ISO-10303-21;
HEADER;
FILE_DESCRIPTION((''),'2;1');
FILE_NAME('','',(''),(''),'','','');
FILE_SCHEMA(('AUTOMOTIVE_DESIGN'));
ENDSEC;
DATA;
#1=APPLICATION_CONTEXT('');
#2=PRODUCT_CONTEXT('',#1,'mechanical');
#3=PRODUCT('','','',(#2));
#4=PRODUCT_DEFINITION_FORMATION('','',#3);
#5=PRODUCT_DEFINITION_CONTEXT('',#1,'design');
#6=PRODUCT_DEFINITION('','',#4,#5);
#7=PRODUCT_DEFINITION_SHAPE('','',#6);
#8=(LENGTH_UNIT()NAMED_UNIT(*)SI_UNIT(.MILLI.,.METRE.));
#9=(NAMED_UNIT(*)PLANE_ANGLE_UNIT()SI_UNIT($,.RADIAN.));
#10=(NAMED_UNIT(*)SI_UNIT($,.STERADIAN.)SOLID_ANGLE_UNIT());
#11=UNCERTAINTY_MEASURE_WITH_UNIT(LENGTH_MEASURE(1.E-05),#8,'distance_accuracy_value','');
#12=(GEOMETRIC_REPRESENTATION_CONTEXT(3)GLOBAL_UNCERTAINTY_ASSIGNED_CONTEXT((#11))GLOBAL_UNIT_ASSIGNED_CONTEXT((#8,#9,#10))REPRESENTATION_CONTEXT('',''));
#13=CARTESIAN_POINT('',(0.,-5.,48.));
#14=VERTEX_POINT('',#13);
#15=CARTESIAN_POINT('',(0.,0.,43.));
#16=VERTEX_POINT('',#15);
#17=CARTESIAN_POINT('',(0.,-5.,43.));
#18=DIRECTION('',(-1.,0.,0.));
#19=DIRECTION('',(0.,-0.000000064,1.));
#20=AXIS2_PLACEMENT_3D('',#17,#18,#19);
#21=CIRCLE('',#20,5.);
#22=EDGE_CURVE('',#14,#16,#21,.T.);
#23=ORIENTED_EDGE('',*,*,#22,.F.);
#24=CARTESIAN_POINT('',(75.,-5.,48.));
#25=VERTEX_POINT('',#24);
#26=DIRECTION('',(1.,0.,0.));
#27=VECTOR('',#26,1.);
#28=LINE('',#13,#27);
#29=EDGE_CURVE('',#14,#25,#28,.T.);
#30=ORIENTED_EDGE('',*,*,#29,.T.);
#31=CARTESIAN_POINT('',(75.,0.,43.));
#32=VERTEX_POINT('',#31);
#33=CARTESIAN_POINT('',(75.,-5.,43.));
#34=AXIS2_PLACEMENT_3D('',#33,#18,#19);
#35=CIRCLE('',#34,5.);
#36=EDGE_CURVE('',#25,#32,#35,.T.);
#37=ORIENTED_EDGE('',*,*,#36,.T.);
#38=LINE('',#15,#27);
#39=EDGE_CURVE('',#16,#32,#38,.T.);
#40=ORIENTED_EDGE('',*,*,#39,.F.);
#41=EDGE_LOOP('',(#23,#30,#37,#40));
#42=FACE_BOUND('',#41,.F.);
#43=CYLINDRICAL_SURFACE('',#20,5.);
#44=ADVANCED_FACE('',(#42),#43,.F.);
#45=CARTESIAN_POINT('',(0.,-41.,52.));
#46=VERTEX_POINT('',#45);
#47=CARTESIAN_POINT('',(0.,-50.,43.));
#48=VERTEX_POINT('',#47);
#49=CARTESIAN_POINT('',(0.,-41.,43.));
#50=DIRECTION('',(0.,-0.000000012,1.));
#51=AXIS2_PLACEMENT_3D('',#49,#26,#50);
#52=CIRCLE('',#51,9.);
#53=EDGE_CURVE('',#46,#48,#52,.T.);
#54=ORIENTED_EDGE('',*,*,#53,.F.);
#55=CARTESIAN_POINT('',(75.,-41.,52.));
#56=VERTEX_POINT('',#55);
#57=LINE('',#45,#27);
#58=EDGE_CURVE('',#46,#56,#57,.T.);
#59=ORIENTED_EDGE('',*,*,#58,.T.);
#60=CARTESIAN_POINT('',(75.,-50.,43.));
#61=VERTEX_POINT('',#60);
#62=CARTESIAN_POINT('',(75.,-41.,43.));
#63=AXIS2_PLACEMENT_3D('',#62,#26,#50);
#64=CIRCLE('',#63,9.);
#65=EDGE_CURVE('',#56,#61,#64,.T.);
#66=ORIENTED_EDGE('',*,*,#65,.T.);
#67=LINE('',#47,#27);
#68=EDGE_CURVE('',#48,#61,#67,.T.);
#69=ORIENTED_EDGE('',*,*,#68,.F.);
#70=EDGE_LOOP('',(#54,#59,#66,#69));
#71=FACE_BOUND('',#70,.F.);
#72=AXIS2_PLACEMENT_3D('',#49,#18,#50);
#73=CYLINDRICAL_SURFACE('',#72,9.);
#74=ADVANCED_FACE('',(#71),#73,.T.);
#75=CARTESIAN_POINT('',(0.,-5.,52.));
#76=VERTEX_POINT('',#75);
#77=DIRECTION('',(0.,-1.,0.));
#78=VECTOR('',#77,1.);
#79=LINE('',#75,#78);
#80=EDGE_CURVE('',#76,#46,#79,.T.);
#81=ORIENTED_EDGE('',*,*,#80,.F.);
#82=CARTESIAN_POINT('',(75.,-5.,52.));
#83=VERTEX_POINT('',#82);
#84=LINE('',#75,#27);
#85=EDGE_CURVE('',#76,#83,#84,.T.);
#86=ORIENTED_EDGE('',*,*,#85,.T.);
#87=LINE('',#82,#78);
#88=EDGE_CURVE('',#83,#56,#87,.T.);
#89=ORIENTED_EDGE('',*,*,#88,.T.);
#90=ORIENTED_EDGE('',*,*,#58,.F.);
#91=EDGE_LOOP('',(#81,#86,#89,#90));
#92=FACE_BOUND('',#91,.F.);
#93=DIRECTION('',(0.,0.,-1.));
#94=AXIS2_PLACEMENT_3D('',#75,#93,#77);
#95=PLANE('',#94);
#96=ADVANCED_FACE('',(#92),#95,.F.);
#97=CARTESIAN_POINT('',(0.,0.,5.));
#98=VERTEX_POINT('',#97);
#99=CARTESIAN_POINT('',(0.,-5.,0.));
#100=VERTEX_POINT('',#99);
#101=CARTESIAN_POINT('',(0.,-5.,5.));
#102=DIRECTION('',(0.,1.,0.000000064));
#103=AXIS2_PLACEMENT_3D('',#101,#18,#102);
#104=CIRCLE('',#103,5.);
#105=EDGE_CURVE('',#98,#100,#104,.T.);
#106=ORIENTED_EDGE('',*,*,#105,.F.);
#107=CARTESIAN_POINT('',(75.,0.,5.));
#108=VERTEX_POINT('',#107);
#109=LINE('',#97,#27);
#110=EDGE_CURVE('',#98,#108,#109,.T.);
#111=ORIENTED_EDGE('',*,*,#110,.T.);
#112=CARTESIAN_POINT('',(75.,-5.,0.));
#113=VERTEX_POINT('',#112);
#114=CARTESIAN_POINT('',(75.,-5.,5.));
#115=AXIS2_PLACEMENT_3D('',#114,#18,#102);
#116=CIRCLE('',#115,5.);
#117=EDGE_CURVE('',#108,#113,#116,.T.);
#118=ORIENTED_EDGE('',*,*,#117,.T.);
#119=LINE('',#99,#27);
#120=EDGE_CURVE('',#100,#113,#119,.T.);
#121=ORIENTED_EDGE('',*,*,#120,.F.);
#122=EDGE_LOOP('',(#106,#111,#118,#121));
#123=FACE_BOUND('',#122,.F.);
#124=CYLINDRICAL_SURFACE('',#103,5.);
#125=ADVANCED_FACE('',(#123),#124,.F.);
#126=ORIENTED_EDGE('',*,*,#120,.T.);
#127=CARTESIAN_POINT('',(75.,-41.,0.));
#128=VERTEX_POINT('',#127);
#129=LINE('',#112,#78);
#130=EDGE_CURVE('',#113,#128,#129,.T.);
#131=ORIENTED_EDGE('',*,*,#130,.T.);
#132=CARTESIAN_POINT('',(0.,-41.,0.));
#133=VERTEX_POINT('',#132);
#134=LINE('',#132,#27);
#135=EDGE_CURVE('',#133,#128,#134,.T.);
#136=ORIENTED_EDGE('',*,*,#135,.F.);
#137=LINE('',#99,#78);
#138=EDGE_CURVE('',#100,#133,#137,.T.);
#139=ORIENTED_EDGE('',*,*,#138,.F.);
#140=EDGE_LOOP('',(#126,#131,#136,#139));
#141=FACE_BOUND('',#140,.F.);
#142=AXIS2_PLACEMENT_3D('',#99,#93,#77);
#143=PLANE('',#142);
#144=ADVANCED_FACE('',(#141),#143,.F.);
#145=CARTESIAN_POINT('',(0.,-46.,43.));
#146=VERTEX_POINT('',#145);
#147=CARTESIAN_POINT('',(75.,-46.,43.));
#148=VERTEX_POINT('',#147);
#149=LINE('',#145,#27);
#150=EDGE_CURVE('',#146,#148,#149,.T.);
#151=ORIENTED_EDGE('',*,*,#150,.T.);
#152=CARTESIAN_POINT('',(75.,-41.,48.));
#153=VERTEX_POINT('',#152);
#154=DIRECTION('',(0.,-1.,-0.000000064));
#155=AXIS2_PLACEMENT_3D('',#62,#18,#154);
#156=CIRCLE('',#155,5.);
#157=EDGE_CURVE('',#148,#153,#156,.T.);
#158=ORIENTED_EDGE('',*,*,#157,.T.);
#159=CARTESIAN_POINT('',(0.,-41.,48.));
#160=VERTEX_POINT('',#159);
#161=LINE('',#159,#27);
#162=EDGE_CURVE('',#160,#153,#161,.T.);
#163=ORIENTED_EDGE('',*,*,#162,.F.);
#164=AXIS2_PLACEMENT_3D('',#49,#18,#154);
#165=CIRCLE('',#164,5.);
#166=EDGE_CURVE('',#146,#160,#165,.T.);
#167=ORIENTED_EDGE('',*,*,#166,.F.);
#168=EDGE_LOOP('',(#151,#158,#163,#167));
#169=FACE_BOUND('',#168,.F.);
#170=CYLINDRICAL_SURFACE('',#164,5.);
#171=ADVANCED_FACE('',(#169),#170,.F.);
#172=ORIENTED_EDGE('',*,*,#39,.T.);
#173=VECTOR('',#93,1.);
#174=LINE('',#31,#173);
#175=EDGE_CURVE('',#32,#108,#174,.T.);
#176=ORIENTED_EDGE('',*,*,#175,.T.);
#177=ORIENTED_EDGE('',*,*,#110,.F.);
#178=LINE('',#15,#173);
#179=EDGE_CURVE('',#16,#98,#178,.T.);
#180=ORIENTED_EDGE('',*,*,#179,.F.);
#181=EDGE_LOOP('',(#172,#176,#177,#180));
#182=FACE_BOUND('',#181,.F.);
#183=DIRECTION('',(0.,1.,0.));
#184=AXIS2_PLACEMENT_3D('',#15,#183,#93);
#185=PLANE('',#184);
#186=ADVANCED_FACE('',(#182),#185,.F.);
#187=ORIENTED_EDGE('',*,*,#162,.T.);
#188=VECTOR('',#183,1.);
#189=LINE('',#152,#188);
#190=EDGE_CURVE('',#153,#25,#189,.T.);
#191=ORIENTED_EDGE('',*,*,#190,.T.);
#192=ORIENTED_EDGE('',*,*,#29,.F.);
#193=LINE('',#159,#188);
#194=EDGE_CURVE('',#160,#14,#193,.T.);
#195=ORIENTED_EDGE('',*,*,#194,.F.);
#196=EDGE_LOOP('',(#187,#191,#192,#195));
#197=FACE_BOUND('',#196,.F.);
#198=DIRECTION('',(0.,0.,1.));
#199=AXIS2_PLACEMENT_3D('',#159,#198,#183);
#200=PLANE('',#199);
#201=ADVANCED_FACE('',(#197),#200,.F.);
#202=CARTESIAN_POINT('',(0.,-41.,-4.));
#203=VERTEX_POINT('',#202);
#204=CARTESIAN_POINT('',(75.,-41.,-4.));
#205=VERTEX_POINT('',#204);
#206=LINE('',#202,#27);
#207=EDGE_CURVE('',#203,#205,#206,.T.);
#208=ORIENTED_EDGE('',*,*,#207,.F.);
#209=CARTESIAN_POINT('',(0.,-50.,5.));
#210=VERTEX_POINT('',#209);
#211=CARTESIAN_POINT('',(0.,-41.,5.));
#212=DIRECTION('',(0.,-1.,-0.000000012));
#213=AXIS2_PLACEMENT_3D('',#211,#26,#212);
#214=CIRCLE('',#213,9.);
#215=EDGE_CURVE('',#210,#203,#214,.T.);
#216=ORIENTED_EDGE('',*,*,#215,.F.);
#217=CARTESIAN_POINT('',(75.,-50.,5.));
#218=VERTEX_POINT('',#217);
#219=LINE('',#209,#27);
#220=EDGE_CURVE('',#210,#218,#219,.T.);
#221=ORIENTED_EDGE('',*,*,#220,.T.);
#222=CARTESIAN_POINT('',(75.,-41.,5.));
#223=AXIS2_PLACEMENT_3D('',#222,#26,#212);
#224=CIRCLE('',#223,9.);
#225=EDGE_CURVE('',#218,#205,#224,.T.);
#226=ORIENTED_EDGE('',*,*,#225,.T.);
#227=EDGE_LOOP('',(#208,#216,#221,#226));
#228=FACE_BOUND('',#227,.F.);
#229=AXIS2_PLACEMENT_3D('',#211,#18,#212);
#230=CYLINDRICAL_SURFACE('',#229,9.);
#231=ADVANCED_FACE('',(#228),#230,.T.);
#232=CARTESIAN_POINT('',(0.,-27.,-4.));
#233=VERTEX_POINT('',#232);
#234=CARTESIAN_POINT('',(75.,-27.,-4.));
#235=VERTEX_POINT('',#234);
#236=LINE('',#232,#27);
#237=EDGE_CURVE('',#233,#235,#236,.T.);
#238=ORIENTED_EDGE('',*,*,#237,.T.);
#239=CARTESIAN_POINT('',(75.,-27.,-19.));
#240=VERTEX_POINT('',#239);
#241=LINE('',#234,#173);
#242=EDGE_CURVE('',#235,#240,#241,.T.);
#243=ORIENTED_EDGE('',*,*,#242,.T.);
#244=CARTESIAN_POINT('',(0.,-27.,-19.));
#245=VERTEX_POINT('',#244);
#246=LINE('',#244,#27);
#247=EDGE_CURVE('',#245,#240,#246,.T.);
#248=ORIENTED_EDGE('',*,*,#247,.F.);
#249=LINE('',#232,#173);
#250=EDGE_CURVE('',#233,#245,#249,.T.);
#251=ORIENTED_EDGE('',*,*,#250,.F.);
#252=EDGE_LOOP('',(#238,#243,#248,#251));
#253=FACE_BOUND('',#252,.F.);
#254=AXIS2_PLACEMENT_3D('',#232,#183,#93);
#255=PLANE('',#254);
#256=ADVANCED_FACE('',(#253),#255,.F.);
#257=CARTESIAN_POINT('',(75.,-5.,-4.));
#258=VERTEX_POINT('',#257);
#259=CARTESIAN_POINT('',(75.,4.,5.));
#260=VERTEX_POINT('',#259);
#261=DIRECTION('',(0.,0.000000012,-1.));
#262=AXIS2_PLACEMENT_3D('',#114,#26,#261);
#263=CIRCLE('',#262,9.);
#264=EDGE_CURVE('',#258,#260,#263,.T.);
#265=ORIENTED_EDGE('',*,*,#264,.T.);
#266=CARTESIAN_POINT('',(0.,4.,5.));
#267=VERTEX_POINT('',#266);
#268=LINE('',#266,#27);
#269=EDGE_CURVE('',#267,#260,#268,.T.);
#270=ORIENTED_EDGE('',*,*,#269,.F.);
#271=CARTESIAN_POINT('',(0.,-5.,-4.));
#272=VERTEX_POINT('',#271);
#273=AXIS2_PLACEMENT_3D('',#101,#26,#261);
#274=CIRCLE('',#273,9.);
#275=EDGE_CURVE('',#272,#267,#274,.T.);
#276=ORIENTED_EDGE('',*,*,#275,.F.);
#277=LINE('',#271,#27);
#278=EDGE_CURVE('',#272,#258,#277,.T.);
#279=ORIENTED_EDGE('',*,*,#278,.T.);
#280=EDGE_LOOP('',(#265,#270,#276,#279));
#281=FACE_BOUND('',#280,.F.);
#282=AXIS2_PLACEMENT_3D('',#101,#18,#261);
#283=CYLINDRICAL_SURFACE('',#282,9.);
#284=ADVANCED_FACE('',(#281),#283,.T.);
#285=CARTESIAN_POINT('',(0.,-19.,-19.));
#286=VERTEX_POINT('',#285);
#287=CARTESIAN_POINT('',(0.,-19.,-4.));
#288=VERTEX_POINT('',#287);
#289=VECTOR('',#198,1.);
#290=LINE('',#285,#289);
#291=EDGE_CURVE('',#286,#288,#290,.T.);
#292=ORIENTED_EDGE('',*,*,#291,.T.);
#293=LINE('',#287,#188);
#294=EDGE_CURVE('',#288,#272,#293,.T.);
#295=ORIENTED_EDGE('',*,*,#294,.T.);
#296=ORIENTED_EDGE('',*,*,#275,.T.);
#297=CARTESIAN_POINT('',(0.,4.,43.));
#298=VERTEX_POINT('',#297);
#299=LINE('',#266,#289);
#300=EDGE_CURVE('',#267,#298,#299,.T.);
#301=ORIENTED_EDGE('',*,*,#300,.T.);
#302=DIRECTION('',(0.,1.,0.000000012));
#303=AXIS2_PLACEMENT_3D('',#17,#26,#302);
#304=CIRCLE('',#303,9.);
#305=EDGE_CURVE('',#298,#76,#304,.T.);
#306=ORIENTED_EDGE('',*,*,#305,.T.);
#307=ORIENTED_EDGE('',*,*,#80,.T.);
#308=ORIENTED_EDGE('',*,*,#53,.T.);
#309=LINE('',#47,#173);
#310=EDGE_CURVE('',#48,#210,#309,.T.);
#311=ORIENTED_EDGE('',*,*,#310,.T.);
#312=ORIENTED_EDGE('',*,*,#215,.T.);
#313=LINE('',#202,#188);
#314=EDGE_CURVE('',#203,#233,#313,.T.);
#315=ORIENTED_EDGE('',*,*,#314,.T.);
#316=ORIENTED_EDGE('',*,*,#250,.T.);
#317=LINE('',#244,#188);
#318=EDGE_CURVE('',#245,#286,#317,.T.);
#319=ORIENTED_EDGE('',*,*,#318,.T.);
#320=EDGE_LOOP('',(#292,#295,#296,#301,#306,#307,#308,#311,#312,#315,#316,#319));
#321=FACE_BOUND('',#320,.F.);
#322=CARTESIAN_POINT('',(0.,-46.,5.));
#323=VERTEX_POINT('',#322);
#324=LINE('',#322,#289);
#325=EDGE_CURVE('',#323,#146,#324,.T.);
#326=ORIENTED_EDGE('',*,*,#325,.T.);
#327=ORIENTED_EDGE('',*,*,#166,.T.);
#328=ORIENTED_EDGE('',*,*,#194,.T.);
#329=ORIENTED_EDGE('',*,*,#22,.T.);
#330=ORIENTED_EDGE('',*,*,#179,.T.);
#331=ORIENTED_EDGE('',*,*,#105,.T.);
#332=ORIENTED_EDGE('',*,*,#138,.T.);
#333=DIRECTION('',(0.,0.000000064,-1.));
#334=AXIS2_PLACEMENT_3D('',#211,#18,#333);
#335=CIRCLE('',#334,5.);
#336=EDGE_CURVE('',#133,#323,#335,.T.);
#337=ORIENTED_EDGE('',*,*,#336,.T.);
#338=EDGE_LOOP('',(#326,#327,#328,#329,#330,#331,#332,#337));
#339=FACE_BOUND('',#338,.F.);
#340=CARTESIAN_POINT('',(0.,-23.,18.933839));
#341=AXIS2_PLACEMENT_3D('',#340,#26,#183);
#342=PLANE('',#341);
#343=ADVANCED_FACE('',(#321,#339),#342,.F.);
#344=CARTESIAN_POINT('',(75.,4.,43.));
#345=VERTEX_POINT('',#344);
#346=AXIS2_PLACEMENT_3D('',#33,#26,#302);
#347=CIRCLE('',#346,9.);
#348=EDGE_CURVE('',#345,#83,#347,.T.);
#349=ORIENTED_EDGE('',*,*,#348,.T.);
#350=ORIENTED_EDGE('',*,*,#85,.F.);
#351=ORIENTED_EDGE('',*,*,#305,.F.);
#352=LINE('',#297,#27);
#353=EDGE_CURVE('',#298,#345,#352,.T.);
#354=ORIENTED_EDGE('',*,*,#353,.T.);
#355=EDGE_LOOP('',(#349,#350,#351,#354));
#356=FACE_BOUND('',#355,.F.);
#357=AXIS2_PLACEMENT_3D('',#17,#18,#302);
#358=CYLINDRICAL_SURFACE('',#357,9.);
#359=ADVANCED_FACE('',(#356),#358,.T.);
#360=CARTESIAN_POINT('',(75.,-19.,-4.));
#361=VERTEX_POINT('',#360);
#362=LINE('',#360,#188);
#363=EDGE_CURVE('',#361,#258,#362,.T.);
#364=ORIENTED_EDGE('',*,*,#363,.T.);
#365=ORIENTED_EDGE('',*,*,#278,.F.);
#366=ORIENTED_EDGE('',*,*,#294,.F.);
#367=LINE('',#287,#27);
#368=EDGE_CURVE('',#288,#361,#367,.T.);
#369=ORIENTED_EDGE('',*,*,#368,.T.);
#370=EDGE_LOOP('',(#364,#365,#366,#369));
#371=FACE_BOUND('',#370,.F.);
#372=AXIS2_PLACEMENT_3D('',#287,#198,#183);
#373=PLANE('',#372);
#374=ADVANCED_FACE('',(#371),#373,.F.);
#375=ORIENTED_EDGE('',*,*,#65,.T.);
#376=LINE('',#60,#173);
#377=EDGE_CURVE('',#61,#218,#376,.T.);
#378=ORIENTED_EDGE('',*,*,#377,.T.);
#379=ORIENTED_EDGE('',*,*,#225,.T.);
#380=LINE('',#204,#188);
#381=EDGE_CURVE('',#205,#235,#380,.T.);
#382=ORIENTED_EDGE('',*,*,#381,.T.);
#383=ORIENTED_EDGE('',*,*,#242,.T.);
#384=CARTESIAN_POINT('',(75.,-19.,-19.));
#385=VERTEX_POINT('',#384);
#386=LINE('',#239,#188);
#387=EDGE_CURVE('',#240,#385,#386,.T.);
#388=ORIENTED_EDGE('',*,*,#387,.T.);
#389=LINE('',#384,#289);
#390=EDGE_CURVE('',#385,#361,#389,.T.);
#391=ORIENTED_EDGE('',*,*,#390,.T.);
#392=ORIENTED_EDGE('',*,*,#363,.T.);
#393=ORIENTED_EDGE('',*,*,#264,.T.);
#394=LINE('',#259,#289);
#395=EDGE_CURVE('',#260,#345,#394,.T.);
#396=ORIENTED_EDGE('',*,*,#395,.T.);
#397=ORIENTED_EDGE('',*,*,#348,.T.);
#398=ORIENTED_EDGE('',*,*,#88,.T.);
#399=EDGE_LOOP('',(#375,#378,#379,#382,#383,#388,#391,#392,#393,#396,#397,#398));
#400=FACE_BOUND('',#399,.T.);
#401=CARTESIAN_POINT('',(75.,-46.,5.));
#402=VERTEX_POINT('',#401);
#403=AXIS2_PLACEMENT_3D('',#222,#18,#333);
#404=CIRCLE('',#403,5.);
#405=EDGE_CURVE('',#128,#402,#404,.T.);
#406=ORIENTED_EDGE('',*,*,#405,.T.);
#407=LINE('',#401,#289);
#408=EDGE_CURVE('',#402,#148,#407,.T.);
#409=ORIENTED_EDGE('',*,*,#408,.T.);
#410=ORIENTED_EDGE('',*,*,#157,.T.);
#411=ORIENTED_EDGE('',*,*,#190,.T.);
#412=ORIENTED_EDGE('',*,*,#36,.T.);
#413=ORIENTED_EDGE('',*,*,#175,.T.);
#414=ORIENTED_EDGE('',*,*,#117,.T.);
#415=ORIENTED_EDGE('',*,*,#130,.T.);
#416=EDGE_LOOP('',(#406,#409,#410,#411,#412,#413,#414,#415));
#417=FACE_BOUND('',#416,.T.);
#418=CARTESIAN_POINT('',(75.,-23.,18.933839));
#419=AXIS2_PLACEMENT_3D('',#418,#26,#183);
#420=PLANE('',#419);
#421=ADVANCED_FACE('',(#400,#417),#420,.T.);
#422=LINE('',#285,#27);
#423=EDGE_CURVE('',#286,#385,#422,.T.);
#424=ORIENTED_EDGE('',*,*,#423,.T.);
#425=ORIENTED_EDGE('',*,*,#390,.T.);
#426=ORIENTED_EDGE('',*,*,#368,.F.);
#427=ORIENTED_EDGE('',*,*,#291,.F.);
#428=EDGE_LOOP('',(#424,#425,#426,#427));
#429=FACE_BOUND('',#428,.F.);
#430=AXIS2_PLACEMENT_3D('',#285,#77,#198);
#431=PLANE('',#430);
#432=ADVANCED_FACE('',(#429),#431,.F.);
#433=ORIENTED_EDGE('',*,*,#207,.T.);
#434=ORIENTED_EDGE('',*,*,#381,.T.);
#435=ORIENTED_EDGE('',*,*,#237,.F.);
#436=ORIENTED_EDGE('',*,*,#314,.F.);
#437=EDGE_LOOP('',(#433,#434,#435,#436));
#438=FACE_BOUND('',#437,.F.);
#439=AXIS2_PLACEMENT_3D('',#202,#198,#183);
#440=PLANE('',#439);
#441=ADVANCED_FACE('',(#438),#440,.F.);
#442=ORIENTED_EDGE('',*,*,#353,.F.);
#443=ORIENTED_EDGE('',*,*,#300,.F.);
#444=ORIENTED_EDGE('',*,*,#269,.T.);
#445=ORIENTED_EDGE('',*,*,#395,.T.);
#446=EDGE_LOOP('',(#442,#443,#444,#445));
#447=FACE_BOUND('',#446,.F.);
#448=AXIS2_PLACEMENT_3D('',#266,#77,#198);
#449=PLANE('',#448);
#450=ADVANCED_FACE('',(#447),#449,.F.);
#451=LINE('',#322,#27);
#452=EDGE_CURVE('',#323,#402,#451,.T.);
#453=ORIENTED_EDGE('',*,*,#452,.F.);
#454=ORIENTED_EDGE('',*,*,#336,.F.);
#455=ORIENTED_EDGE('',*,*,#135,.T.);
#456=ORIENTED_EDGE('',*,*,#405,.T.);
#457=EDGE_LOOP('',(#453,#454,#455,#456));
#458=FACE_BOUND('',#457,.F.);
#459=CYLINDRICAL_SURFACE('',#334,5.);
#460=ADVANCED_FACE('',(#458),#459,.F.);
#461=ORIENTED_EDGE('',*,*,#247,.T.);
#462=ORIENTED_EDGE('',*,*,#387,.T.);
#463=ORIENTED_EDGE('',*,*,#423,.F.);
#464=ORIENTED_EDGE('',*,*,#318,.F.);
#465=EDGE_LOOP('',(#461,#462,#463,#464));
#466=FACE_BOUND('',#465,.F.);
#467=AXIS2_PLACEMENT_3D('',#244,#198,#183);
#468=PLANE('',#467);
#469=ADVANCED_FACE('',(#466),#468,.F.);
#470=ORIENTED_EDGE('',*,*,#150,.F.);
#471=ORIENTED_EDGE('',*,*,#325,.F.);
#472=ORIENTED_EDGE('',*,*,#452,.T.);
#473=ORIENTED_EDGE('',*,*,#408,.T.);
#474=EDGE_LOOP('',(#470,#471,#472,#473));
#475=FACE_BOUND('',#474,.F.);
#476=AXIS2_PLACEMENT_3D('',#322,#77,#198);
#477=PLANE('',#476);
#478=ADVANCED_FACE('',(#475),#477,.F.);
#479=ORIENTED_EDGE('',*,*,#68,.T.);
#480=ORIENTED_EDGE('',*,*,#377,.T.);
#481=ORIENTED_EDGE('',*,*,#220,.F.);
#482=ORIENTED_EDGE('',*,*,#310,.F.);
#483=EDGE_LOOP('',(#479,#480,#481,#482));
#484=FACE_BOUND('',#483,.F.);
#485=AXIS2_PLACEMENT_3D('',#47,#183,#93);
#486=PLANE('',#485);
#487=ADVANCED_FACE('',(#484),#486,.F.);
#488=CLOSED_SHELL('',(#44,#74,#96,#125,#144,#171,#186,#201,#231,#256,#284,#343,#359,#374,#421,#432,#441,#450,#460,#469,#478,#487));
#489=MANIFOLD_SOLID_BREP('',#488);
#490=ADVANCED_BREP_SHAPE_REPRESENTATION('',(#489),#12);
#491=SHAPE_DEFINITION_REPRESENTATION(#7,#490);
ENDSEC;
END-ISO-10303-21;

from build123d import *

# Parameters (mm, degrees)
F1_DEPTH = 75


with BuildPart() as f1:
    # F0 (on Right) → F1 (new body)
    with BuildSketch(Plane.YZ):
        with BuildLine():
            Line((-27, -19), (-23, -19))
            Line((-23, -19), (-19, -19))
            Line((-19, -19), (-19, -4))
            Line((-19, -4), (-5, -4))
            ThreePointArc((-5, -4), (1.363961, -1.363961), (4, 5))
            Line((4, 5), (4, 43))
            ThreePointArc((4, 43), (1.363961, 49.363961), (-5, 52))
            Line((-5, 52), (-41, 52))
            ThreePointArc((-41, 52), (-47.363961, 49.363961), (-50, 43))
            Line((-50, 43), (-50, 5))
            ThreePointArc((-50, 5), (-47.363961, -1.363961), (-41, -4))
            Line((-41, -4), (-27, -4))
            Line((-27, -4), (-27, -19))
        make_face()
        with BuildLine():
            ThreePointArc((-46, 43), (-44.535534, 46.535534), (-41, 48))
            Line((-41, 48), (-5, 48))
            ThreePointArc((-5, 48), (-1.464466, 46.535534), (0, 43))
            Line((0, 43), (0, 5))
            ThreePointArc((0, 5), (-1.464466, 1.464466), (-5, 0))
            Line((-5, 0), (-23, 0))
            Line((-23, 0), (-41, 0))
            ThreePointArc((-41, 0), (-44.535534, 1.464466), (-46, 5))
            Line((-46, 5), (-46, 43))
        make_face(mode=Mode.SUBTRACT)
    extrude(amount=F1_DEPTH)


solid = f1.part
